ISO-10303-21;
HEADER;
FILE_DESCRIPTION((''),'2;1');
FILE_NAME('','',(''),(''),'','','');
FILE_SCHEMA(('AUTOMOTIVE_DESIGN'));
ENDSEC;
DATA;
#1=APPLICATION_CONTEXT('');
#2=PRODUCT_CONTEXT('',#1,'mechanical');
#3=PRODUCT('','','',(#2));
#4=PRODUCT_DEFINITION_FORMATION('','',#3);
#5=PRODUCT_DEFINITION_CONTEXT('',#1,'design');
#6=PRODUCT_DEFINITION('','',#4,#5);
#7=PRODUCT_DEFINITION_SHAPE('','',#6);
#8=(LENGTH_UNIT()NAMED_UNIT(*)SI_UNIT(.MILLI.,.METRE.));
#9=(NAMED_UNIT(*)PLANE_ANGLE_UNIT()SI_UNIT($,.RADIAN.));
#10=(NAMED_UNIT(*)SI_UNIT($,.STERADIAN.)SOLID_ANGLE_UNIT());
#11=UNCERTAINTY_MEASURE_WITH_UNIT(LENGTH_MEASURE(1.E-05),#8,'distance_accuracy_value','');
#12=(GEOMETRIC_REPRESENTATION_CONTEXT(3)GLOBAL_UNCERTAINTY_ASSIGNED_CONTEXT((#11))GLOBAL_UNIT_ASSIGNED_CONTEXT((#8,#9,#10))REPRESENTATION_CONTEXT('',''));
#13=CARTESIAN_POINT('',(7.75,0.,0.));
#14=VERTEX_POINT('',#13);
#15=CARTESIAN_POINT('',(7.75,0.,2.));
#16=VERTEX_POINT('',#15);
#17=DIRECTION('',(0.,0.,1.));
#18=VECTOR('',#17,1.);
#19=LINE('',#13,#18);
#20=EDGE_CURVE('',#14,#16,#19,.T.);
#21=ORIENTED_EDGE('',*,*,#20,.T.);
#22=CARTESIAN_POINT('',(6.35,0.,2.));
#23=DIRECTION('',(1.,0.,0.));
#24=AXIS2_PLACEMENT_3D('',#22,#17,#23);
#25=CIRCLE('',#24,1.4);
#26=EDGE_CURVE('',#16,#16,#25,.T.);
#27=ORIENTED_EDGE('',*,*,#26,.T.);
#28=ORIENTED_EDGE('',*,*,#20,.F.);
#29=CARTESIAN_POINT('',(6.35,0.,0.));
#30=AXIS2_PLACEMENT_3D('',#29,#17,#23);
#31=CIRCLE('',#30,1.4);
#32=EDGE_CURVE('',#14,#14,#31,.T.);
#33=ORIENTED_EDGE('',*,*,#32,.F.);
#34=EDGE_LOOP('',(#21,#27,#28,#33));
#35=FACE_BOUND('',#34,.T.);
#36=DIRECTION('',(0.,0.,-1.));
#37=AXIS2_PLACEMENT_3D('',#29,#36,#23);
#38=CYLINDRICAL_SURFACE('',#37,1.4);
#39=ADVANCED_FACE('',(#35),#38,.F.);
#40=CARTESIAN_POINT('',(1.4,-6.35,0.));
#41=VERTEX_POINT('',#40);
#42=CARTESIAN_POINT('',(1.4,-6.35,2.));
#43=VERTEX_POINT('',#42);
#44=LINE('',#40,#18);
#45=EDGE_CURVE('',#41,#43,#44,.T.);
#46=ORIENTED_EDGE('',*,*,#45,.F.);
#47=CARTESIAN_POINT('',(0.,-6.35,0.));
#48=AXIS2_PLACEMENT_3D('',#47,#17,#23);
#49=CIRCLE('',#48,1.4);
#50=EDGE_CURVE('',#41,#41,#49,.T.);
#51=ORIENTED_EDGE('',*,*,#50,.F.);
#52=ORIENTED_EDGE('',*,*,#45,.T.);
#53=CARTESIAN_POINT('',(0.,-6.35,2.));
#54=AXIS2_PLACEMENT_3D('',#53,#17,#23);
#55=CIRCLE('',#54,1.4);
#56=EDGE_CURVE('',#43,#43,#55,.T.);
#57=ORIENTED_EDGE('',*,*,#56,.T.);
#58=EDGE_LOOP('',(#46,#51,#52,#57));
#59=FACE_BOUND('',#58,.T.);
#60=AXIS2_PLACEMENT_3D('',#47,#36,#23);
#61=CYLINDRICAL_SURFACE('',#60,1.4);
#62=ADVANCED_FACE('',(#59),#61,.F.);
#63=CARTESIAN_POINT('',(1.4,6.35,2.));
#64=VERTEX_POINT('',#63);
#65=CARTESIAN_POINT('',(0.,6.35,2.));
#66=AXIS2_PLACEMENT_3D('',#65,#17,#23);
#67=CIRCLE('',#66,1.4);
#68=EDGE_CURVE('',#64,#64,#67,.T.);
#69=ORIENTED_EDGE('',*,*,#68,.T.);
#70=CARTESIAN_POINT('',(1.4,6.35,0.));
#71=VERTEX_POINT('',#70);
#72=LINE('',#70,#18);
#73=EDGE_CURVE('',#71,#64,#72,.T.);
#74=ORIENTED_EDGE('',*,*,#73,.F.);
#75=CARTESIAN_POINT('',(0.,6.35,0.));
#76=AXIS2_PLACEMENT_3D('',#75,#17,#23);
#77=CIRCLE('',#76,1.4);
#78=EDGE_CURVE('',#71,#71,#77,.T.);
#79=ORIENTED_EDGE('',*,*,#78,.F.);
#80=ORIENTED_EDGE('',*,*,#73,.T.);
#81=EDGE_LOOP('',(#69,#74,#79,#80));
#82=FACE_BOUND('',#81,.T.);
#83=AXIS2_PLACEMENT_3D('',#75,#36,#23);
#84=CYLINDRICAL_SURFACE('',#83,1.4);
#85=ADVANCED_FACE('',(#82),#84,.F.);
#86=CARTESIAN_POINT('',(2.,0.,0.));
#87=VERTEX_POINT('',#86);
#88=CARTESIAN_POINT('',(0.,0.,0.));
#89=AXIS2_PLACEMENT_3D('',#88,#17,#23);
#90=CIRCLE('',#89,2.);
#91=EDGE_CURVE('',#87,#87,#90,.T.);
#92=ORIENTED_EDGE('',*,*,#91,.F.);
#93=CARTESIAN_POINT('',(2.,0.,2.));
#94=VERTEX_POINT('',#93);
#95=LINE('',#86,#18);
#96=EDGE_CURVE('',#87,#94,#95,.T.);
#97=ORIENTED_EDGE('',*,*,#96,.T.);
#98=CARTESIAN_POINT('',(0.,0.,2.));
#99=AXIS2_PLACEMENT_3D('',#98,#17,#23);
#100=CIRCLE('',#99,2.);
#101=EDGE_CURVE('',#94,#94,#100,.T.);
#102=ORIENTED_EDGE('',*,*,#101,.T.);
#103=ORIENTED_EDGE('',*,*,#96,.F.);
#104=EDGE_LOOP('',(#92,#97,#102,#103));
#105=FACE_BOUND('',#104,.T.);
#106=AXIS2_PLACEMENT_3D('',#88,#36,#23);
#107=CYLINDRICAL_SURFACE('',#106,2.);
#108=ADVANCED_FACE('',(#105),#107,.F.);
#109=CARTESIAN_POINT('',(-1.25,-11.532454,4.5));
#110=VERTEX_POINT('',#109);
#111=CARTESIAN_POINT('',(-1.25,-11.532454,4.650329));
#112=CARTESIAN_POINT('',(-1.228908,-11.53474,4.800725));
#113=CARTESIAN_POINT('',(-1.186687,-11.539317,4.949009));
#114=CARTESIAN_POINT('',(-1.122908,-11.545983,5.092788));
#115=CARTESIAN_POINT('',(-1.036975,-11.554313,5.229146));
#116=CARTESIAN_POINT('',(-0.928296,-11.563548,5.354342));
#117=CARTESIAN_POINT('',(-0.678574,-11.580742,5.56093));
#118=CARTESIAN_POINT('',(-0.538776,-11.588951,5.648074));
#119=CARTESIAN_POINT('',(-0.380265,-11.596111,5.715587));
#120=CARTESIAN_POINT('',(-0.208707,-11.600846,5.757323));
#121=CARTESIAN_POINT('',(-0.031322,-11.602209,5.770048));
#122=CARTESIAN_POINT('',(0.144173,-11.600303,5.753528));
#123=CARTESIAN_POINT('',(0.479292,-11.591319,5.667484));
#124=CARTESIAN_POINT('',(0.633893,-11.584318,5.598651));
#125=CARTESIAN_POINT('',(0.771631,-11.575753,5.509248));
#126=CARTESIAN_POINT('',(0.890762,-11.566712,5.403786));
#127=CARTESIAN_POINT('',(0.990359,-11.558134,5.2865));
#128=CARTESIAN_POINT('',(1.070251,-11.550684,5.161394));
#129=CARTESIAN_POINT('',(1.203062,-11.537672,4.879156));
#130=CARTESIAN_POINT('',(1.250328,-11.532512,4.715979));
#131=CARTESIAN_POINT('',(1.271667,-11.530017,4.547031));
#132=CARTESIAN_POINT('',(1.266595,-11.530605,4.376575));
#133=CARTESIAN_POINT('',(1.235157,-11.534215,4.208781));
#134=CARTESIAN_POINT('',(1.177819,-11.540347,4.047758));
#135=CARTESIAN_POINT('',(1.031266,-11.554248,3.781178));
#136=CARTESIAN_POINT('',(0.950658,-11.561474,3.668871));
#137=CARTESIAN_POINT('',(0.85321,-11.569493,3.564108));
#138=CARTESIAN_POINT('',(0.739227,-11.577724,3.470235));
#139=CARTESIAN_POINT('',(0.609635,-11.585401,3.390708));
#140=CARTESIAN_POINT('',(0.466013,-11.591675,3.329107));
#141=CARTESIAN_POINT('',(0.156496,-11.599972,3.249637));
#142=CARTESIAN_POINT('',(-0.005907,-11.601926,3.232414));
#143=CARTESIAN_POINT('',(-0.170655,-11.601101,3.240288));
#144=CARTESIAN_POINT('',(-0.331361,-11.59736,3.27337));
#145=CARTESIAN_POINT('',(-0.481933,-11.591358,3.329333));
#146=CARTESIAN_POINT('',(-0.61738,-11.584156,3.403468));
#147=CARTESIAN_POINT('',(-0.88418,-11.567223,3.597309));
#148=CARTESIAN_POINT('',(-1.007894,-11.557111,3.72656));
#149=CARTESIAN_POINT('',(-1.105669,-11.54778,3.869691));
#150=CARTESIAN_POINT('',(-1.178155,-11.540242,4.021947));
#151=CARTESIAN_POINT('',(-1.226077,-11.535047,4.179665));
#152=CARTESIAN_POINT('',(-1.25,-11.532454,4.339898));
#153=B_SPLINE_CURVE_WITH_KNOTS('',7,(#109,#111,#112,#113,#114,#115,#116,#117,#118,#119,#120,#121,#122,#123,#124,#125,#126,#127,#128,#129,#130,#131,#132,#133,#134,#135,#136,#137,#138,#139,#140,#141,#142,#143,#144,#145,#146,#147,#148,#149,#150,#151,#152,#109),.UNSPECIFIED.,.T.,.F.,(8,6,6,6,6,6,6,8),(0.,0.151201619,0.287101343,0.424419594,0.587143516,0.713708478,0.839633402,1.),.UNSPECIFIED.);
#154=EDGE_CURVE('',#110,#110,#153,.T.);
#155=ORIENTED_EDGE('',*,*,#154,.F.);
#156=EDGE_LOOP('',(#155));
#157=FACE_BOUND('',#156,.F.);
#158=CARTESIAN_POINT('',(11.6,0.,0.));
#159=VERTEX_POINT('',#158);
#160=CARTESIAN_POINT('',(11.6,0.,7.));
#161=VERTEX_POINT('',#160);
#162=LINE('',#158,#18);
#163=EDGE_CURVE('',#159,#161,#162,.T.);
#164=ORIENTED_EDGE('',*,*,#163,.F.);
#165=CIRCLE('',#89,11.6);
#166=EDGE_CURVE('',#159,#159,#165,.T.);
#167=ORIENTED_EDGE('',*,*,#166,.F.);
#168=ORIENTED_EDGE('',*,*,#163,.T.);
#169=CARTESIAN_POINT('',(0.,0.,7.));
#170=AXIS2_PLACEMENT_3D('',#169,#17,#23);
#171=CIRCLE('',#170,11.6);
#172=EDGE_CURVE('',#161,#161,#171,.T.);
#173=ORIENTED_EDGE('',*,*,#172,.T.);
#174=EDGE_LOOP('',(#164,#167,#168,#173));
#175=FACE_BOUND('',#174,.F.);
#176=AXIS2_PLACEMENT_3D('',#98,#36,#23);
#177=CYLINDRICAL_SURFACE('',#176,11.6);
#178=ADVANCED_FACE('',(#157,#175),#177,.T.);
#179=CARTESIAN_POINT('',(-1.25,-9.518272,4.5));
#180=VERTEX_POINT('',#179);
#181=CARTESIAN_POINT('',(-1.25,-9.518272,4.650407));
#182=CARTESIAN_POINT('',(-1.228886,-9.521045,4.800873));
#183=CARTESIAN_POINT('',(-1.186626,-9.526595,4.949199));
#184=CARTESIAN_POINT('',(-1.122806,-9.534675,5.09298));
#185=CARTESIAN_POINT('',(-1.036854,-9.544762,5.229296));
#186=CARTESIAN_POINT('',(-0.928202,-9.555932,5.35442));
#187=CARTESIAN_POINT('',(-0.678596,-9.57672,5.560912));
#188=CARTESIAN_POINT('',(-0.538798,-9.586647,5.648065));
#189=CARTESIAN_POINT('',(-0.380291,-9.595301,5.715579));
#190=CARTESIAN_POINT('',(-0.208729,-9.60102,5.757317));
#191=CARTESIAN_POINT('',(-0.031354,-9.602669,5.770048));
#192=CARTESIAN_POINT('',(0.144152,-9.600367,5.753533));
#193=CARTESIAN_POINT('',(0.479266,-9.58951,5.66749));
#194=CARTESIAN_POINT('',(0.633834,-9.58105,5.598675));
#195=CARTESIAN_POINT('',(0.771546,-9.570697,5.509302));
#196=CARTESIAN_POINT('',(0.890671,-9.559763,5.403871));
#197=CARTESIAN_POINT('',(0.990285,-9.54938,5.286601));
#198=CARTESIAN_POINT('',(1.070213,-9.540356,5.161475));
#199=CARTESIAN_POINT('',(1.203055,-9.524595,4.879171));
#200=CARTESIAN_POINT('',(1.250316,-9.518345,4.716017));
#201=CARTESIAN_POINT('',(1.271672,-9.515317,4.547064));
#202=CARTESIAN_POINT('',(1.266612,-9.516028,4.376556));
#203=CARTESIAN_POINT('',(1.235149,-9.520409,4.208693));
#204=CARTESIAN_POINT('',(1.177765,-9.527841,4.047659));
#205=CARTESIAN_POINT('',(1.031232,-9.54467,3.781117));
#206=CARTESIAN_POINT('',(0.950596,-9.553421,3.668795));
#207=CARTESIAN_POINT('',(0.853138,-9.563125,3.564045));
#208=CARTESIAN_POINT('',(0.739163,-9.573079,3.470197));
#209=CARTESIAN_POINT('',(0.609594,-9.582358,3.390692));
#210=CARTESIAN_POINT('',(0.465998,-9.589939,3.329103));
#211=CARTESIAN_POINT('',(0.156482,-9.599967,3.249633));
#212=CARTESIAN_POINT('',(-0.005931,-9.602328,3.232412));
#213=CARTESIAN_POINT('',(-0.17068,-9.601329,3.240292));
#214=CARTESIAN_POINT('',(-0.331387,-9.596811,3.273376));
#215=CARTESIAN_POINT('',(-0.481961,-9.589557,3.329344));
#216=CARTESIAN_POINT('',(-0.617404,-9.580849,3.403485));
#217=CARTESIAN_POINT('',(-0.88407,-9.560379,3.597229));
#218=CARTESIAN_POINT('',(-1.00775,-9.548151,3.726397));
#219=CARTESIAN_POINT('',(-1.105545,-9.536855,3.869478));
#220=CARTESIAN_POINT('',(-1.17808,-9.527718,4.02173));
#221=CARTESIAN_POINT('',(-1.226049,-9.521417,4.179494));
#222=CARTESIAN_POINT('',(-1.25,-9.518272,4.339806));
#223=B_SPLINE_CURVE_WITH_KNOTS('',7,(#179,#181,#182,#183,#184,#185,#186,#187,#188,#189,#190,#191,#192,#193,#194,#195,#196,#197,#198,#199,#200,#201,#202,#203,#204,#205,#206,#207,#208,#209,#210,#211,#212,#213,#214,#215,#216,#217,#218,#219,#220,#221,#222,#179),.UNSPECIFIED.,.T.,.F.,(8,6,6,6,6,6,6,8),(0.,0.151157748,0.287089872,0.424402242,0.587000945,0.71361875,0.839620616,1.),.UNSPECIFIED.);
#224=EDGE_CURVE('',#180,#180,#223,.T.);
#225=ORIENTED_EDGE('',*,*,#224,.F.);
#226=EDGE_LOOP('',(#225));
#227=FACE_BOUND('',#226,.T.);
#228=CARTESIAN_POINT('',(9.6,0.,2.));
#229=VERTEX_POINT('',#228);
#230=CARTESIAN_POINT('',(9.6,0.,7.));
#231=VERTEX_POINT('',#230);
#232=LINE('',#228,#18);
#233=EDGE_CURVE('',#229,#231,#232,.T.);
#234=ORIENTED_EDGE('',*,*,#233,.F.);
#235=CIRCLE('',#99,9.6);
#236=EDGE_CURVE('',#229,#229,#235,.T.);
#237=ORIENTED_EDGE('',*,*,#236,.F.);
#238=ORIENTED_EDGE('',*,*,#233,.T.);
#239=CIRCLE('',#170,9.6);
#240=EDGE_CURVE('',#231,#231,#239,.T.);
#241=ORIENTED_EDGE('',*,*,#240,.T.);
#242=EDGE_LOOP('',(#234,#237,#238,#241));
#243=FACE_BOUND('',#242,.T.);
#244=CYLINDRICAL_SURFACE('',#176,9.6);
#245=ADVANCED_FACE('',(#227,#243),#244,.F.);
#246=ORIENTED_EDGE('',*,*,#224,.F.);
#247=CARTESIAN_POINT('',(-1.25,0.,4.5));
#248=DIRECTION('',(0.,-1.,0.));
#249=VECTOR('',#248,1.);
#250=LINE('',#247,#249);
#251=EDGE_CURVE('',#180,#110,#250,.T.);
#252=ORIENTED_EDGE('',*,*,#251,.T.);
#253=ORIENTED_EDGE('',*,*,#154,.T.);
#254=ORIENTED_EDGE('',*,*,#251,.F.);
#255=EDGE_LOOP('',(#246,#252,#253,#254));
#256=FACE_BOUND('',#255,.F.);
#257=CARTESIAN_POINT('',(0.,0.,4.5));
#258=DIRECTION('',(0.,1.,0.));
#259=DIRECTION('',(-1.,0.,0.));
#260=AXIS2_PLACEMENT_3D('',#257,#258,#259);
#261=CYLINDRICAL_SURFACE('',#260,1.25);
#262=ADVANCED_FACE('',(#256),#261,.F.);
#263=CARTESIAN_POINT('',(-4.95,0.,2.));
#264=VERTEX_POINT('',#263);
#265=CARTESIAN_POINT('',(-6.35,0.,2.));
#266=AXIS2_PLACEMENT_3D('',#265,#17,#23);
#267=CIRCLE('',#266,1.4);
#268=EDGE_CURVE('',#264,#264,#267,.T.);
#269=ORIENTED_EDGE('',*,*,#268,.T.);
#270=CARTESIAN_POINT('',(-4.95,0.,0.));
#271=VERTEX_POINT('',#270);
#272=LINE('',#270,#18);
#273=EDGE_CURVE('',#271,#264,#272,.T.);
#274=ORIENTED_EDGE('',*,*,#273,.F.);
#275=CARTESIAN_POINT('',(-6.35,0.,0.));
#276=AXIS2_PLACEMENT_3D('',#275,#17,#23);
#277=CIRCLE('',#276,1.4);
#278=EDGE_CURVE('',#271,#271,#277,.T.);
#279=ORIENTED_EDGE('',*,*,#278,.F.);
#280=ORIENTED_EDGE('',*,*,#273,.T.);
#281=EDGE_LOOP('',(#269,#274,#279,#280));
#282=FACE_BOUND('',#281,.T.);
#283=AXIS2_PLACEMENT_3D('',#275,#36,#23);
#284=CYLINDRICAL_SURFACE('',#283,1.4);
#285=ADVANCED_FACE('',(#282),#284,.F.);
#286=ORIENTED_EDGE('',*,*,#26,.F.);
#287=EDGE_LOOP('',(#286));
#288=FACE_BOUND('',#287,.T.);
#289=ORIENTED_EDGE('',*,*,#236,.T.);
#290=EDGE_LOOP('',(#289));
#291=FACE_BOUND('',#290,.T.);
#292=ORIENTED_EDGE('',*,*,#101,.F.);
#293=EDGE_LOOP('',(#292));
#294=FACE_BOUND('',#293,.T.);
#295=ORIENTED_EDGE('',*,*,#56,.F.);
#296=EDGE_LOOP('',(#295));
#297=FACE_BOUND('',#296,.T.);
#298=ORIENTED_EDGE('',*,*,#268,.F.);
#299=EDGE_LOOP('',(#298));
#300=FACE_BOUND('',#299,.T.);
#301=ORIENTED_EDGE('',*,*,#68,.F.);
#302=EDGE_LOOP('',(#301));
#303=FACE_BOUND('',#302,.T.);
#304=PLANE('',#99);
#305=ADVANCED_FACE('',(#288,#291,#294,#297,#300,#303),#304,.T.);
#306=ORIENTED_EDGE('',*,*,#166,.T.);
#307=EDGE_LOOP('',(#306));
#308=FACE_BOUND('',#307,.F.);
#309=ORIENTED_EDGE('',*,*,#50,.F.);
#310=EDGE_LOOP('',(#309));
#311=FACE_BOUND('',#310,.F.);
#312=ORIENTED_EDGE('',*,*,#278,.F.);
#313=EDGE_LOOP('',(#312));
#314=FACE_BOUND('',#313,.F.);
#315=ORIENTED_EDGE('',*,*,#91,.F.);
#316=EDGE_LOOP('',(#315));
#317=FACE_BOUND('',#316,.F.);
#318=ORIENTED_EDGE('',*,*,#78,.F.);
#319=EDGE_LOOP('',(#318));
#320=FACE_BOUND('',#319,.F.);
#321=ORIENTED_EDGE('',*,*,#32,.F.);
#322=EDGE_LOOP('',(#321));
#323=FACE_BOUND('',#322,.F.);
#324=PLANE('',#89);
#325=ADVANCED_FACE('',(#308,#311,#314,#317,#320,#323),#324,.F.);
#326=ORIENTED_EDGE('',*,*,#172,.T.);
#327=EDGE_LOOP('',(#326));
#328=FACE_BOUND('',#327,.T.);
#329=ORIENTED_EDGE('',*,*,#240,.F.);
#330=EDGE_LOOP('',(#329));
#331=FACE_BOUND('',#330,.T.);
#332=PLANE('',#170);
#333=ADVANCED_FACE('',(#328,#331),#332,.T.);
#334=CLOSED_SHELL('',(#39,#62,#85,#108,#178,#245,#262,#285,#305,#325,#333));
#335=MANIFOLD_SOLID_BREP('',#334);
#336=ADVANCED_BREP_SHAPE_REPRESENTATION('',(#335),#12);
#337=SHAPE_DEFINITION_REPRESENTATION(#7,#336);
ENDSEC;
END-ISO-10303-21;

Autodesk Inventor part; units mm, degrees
ref_plane "YZ Plane" through (0, 0, 0) normal (1, 0, 0) x (0, 1, 0)
ref_plane "XZ Plane" through (0, 0, 0) normal (0, 1, 0) x (-1, 0, 0)
ref_plane "XY Plane" through (0, 0, 0) normal (0, 0, 1) x (1, 0, 0)
sketch "Skizze1" plane through (0, 0, 0) normal (0, 0, 1) x (1, 0, 0)
  circle A0 centre (0, 0) radius 2
  circle A1 centre (0, 0) radius 9.6
  circle A2 centre (0, 0) radius 6.35 construction
  circle A3 centre (6.35, 0) radius 1.4
  circle A4 centre (-6.35, 0) radius 1.4
  circle A5 centre (0, 6.35) radius 1.4
  circle A6 centre (0, -6.35) radius 1.4
  circle A7 centre (0, 0) radius 11.6
  circle A8 centre (0, 0) radius 4.3516
  line L0 (0, 16.24) -> (0, -16.24) construction
  line L1 (-16.24, 0) -> (16.24, 0) construction
  dimension "d0" = 19.2
  dimension "d1" = 12.7
  dimension "d2" = 2.8
  dimension "d3" = 4
  dimension "d4" = 2
  dimension "d5" = 8.7031
extrude "Extrusion1" add sketch "Skizze1" along normal blind 2 contours A1 | A7 | A8
extrude "Extrusion2" add sketch "Skizze1" along normal blind 5 from surface at 2 contours A7
sketch "Skizze2" plane through (0, 0, 0) normal (0, 1, 0) x (-1, 0, 0)
  circle A0 centre (0, 4.5) radius 1.25
  line L0 (9.6, 7) -> (-9.6, 7) projected
  point P0 (0, 0)
  dimension "d10" = 2.5
  dimension "d11" = 2.5
extrude "Extrusion3" cut sketch "Skizze2" against normal through all
properties part number "Input"
